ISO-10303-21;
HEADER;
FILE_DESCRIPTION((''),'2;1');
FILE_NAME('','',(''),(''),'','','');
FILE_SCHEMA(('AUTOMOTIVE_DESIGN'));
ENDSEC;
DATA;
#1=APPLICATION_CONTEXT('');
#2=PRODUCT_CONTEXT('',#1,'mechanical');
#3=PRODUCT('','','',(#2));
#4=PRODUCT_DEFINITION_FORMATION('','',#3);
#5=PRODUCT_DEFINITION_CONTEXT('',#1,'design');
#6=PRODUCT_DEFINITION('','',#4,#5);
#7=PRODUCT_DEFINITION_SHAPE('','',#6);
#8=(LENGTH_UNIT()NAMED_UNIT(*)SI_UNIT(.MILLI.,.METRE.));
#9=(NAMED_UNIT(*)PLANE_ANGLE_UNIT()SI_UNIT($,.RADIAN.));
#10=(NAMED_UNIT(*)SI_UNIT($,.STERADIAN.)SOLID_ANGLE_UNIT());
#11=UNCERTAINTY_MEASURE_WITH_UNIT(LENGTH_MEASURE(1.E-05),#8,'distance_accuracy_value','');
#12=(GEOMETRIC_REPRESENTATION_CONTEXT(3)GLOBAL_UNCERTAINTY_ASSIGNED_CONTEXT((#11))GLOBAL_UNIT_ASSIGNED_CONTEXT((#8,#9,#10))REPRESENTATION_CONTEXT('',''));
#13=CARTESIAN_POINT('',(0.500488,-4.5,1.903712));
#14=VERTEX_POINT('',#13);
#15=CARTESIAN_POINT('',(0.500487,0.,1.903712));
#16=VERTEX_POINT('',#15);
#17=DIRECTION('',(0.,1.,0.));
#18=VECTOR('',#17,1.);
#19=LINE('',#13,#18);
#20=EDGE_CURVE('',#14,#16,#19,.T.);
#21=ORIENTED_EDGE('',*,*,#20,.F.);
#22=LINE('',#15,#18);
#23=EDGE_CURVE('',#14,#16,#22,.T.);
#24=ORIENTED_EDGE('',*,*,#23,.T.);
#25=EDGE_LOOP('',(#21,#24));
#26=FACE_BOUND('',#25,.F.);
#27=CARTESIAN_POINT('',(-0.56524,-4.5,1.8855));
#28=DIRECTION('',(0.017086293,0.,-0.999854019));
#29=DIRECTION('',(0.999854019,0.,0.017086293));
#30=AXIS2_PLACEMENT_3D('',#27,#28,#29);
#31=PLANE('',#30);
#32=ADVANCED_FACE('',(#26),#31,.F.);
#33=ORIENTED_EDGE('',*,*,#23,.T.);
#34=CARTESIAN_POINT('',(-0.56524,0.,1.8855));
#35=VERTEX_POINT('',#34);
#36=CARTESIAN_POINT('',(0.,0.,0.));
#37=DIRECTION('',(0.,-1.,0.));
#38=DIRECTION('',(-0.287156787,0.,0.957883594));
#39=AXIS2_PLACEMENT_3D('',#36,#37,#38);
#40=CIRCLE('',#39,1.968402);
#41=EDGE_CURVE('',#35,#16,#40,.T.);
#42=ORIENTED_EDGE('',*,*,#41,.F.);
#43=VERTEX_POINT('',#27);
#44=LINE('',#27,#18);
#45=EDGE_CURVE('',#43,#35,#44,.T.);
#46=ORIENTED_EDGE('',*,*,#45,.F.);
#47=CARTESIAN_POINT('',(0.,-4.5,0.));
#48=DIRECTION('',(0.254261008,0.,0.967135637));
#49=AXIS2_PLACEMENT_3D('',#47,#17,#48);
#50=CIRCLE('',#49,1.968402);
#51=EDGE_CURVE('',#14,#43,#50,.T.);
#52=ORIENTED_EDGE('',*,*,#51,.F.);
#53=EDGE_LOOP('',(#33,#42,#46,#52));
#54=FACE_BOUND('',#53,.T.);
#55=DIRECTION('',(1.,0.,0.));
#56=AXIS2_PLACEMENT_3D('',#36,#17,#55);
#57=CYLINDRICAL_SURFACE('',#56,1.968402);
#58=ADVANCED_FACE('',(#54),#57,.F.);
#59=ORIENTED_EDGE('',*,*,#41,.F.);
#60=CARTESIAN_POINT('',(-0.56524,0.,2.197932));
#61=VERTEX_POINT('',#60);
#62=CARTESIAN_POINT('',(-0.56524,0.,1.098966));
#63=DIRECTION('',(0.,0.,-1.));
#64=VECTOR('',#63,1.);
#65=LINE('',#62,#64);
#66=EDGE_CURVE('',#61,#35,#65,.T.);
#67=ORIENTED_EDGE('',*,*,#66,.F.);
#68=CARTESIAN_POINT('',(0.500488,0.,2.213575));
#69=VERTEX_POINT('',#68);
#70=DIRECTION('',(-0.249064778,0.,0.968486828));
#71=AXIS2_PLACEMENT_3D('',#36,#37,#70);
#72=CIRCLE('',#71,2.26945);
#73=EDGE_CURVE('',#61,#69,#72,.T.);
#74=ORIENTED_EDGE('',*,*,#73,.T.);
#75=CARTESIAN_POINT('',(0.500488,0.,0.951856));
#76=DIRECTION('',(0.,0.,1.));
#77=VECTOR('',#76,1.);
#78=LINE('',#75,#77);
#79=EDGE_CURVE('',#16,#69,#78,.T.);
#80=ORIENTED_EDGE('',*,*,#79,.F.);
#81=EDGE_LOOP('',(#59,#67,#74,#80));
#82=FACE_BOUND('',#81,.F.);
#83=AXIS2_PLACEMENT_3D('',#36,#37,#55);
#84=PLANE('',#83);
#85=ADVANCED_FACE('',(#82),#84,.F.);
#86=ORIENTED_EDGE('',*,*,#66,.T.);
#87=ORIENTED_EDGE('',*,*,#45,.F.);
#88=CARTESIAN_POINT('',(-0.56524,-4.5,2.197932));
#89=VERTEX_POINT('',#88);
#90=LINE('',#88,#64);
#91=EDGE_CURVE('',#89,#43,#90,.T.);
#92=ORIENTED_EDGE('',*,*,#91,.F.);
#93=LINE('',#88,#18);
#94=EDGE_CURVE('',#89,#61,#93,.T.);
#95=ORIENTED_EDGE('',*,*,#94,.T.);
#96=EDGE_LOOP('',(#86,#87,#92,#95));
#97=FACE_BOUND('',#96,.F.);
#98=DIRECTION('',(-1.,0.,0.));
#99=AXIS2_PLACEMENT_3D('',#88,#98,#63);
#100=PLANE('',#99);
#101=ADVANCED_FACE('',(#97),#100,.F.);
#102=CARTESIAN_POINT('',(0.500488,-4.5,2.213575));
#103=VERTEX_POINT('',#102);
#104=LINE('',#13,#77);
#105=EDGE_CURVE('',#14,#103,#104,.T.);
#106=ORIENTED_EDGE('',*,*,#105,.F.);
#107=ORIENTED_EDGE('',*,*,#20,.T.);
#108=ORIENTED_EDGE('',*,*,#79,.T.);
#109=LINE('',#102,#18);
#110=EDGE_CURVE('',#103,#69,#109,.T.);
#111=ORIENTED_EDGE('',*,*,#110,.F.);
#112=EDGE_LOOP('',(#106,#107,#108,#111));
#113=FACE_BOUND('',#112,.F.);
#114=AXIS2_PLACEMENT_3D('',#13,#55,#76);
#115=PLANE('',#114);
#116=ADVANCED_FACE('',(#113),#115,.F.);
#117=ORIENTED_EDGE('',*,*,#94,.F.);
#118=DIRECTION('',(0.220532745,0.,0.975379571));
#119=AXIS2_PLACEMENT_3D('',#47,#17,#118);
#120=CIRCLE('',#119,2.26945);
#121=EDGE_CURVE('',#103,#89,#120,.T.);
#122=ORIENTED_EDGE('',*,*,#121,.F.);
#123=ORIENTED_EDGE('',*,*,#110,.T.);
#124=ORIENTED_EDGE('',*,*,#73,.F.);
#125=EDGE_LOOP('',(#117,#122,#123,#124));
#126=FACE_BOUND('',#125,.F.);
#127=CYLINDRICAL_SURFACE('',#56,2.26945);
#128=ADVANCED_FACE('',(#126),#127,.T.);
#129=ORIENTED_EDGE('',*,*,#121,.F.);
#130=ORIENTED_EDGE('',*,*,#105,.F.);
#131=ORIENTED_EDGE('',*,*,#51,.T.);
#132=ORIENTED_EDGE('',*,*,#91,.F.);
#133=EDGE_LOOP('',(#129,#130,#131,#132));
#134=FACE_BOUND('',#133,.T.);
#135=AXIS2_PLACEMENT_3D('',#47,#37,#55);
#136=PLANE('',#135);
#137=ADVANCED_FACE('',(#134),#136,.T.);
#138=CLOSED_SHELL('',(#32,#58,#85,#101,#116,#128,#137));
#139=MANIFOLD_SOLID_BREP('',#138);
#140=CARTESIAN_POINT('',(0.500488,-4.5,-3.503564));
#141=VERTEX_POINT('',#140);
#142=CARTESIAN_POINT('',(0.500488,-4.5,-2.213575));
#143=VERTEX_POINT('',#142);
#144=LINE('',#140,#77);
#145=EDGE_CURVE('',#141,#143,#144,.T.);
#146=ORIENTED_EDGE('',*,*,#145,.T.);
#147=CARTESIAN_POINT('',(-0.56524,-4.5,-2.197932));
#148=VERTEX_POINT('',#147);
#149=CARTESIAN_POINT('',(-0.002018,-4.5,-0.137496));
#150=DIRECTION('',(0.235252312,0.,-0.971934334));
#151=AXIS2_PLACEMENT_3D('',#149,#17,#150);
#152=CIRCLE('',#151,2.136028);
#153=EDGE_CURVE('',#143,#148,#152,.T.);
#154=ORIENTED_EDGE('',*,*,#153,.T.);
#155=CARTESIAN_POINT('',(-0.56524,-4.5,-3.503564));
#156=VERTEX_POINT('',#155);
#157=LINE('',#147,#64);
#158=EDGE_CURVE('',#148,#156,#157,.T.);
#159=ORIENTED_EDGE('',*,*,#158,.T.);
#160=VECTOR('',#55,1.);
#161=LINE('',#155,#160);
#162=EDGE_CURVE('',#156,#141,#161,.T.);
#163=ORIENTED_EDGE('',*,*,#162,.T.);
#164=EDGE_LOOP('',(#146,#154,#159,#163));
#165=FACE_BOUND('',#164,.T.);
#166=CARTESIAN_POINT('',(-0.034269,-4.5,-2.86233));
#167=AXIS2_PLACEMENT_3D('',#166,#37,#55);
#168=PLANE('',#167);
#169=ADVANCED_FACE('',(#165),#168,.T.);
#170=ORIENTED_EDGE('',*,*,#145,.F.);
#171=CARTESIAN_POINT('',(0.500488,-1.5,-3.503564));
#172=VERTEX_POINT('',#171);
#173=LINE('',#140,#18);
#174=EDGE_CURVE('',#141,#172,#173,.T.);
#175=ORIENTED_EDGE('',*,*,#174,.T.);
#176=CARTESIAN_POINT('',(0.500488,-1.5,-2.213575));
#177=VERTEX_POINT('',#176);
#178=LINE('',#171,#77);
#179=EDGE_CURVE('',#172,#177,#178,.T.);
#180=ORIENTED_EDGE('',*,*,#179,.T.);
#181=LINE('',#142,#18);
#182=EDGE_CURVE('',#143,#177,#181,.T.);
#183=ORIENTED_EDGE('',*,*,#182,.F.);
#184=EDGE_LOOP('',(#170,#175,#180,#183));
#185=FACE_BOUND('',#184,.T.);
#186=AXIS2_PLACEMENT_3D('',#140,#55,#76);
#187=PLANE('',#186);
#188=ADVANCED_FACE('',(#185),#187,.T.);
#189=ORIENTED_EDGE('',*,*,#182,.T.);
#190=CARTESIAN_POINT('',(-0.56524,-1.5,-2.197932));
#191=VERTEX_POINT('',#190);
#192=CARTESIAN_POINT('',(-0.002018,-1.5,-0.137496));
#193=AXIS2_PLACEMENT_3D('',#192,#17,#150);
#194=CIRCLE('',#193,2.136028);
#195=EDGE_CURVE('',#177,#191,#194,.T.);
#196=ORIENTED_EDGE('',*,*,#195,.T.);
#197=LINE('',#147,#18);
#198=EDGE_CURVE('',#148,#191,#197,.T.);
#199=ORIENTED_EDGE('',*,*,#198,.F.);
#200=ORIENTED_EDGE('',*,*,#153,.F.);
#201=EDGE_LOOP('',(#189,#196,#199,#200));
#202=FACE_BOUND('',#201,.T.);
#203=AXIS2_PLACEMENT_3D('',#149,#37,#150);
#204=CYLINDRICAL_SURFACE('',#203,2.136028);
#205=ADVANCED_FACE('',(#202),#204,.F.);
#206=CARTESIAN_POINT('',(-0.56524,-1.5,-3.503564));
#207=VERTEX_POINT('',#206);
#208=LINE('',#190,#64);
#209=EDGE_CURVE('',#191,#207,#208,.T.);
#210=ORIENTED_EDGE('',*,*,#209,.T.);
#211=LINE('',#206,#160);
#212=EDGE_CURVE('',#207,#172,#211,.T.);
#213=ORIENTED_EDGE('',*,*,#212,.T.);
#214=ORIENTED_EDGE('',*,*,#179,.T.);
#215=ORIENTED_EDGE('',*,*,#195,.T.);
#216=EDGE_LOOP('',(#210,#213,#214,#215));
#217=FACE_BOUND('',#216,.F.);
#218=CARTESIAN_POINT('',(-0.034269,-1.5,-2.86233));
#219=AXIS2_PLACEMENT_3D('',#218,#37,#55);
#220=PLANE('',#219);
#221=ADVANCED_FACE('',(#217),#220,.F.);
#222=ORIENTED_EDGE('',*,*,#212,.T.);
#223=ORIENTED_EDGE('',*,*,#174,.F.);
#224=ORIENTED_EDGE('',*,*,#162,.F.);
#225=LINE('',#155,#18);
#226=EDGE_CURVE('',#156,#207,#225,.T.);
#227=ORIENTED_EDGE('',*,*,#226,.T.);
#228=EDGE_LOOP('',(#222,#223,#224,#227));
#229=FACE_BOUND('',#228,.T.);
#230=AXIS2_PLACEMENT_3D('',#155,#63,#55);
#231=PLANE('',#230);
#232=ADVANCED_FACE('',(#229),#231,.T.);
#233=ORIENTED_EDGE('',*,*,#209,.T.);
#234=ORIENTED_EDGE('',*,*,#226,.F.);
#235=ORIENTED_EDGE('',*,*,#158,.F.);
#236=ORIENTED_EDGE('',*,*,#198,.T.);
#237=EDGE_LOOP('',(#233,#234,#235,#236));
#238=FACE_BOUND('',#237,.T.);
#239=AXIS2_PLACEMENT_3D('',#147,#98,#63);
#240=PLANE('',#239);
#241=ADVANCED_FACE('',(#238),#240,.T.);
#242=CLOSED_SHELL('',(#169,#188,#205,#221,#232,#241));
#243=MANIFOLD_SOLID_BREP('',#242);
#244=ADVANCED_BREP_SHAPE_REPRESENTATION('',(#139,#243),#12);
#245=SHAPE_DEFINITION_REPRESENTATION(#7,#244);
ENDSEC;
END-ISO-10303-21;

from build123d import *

# Parameters (mm, degrees)
F0_R     = 2.26945
F0_R_2   = 1.968402
F1_DEPTH = 4.5
F3_DEPTH = 25
F5_DEPTH = 3


with BuildPart() as f1:
    # F0 (on Front) → F1 (new body)
    with BuildSketch(Plane.XZ):
        Circle(F0_R)
        Circle(F0_R_2, mode=Mode.SUBTRACT)
    extrude(amount=F1_DEPTH)

    # F2 (on face) → F3 (cut)
    with BuildSketch(Plane.XZ.offset(4.5)):
        with BuildLine():
            ThreePointArc((0.500488, 2.213575), (-0.040313, 2.746496), (-0.56524, 2.197932))
            Line((-0.56524, 2.197932), (-0.56524, 1.8855))
            Line((-0.56524, 1.8855), (0.500488, 1.903712))
            Line((0.500488, 1.903712), (0.500488, 2.213575))
        make_face()
    extrude(amount=-F3_DEPTH, mode=Mode.SUBTRACT)


with BuildPart() as f5:
    # F4 (on face) → F5 (new body)
    with BuildSketch(Plane.XZ.offset(4.5)):
        with BuildLine():
            ThreePointArc((0.500488, -2.213575), (-0.033367, -2.273294), (-0.56524, -2.197932))
            Line((-0.56524, -2.197932), (-0.56524, -3.503564))
            Line((-0.56524, -3.503564), (0.500488, -3.503564))
            Line((0.500488, -3.503564), (0.500488, -2.213575))
        make_face()
    extrude(amount=-F5_DEPTH)


solid = Compound([f1.part, f5.part])
